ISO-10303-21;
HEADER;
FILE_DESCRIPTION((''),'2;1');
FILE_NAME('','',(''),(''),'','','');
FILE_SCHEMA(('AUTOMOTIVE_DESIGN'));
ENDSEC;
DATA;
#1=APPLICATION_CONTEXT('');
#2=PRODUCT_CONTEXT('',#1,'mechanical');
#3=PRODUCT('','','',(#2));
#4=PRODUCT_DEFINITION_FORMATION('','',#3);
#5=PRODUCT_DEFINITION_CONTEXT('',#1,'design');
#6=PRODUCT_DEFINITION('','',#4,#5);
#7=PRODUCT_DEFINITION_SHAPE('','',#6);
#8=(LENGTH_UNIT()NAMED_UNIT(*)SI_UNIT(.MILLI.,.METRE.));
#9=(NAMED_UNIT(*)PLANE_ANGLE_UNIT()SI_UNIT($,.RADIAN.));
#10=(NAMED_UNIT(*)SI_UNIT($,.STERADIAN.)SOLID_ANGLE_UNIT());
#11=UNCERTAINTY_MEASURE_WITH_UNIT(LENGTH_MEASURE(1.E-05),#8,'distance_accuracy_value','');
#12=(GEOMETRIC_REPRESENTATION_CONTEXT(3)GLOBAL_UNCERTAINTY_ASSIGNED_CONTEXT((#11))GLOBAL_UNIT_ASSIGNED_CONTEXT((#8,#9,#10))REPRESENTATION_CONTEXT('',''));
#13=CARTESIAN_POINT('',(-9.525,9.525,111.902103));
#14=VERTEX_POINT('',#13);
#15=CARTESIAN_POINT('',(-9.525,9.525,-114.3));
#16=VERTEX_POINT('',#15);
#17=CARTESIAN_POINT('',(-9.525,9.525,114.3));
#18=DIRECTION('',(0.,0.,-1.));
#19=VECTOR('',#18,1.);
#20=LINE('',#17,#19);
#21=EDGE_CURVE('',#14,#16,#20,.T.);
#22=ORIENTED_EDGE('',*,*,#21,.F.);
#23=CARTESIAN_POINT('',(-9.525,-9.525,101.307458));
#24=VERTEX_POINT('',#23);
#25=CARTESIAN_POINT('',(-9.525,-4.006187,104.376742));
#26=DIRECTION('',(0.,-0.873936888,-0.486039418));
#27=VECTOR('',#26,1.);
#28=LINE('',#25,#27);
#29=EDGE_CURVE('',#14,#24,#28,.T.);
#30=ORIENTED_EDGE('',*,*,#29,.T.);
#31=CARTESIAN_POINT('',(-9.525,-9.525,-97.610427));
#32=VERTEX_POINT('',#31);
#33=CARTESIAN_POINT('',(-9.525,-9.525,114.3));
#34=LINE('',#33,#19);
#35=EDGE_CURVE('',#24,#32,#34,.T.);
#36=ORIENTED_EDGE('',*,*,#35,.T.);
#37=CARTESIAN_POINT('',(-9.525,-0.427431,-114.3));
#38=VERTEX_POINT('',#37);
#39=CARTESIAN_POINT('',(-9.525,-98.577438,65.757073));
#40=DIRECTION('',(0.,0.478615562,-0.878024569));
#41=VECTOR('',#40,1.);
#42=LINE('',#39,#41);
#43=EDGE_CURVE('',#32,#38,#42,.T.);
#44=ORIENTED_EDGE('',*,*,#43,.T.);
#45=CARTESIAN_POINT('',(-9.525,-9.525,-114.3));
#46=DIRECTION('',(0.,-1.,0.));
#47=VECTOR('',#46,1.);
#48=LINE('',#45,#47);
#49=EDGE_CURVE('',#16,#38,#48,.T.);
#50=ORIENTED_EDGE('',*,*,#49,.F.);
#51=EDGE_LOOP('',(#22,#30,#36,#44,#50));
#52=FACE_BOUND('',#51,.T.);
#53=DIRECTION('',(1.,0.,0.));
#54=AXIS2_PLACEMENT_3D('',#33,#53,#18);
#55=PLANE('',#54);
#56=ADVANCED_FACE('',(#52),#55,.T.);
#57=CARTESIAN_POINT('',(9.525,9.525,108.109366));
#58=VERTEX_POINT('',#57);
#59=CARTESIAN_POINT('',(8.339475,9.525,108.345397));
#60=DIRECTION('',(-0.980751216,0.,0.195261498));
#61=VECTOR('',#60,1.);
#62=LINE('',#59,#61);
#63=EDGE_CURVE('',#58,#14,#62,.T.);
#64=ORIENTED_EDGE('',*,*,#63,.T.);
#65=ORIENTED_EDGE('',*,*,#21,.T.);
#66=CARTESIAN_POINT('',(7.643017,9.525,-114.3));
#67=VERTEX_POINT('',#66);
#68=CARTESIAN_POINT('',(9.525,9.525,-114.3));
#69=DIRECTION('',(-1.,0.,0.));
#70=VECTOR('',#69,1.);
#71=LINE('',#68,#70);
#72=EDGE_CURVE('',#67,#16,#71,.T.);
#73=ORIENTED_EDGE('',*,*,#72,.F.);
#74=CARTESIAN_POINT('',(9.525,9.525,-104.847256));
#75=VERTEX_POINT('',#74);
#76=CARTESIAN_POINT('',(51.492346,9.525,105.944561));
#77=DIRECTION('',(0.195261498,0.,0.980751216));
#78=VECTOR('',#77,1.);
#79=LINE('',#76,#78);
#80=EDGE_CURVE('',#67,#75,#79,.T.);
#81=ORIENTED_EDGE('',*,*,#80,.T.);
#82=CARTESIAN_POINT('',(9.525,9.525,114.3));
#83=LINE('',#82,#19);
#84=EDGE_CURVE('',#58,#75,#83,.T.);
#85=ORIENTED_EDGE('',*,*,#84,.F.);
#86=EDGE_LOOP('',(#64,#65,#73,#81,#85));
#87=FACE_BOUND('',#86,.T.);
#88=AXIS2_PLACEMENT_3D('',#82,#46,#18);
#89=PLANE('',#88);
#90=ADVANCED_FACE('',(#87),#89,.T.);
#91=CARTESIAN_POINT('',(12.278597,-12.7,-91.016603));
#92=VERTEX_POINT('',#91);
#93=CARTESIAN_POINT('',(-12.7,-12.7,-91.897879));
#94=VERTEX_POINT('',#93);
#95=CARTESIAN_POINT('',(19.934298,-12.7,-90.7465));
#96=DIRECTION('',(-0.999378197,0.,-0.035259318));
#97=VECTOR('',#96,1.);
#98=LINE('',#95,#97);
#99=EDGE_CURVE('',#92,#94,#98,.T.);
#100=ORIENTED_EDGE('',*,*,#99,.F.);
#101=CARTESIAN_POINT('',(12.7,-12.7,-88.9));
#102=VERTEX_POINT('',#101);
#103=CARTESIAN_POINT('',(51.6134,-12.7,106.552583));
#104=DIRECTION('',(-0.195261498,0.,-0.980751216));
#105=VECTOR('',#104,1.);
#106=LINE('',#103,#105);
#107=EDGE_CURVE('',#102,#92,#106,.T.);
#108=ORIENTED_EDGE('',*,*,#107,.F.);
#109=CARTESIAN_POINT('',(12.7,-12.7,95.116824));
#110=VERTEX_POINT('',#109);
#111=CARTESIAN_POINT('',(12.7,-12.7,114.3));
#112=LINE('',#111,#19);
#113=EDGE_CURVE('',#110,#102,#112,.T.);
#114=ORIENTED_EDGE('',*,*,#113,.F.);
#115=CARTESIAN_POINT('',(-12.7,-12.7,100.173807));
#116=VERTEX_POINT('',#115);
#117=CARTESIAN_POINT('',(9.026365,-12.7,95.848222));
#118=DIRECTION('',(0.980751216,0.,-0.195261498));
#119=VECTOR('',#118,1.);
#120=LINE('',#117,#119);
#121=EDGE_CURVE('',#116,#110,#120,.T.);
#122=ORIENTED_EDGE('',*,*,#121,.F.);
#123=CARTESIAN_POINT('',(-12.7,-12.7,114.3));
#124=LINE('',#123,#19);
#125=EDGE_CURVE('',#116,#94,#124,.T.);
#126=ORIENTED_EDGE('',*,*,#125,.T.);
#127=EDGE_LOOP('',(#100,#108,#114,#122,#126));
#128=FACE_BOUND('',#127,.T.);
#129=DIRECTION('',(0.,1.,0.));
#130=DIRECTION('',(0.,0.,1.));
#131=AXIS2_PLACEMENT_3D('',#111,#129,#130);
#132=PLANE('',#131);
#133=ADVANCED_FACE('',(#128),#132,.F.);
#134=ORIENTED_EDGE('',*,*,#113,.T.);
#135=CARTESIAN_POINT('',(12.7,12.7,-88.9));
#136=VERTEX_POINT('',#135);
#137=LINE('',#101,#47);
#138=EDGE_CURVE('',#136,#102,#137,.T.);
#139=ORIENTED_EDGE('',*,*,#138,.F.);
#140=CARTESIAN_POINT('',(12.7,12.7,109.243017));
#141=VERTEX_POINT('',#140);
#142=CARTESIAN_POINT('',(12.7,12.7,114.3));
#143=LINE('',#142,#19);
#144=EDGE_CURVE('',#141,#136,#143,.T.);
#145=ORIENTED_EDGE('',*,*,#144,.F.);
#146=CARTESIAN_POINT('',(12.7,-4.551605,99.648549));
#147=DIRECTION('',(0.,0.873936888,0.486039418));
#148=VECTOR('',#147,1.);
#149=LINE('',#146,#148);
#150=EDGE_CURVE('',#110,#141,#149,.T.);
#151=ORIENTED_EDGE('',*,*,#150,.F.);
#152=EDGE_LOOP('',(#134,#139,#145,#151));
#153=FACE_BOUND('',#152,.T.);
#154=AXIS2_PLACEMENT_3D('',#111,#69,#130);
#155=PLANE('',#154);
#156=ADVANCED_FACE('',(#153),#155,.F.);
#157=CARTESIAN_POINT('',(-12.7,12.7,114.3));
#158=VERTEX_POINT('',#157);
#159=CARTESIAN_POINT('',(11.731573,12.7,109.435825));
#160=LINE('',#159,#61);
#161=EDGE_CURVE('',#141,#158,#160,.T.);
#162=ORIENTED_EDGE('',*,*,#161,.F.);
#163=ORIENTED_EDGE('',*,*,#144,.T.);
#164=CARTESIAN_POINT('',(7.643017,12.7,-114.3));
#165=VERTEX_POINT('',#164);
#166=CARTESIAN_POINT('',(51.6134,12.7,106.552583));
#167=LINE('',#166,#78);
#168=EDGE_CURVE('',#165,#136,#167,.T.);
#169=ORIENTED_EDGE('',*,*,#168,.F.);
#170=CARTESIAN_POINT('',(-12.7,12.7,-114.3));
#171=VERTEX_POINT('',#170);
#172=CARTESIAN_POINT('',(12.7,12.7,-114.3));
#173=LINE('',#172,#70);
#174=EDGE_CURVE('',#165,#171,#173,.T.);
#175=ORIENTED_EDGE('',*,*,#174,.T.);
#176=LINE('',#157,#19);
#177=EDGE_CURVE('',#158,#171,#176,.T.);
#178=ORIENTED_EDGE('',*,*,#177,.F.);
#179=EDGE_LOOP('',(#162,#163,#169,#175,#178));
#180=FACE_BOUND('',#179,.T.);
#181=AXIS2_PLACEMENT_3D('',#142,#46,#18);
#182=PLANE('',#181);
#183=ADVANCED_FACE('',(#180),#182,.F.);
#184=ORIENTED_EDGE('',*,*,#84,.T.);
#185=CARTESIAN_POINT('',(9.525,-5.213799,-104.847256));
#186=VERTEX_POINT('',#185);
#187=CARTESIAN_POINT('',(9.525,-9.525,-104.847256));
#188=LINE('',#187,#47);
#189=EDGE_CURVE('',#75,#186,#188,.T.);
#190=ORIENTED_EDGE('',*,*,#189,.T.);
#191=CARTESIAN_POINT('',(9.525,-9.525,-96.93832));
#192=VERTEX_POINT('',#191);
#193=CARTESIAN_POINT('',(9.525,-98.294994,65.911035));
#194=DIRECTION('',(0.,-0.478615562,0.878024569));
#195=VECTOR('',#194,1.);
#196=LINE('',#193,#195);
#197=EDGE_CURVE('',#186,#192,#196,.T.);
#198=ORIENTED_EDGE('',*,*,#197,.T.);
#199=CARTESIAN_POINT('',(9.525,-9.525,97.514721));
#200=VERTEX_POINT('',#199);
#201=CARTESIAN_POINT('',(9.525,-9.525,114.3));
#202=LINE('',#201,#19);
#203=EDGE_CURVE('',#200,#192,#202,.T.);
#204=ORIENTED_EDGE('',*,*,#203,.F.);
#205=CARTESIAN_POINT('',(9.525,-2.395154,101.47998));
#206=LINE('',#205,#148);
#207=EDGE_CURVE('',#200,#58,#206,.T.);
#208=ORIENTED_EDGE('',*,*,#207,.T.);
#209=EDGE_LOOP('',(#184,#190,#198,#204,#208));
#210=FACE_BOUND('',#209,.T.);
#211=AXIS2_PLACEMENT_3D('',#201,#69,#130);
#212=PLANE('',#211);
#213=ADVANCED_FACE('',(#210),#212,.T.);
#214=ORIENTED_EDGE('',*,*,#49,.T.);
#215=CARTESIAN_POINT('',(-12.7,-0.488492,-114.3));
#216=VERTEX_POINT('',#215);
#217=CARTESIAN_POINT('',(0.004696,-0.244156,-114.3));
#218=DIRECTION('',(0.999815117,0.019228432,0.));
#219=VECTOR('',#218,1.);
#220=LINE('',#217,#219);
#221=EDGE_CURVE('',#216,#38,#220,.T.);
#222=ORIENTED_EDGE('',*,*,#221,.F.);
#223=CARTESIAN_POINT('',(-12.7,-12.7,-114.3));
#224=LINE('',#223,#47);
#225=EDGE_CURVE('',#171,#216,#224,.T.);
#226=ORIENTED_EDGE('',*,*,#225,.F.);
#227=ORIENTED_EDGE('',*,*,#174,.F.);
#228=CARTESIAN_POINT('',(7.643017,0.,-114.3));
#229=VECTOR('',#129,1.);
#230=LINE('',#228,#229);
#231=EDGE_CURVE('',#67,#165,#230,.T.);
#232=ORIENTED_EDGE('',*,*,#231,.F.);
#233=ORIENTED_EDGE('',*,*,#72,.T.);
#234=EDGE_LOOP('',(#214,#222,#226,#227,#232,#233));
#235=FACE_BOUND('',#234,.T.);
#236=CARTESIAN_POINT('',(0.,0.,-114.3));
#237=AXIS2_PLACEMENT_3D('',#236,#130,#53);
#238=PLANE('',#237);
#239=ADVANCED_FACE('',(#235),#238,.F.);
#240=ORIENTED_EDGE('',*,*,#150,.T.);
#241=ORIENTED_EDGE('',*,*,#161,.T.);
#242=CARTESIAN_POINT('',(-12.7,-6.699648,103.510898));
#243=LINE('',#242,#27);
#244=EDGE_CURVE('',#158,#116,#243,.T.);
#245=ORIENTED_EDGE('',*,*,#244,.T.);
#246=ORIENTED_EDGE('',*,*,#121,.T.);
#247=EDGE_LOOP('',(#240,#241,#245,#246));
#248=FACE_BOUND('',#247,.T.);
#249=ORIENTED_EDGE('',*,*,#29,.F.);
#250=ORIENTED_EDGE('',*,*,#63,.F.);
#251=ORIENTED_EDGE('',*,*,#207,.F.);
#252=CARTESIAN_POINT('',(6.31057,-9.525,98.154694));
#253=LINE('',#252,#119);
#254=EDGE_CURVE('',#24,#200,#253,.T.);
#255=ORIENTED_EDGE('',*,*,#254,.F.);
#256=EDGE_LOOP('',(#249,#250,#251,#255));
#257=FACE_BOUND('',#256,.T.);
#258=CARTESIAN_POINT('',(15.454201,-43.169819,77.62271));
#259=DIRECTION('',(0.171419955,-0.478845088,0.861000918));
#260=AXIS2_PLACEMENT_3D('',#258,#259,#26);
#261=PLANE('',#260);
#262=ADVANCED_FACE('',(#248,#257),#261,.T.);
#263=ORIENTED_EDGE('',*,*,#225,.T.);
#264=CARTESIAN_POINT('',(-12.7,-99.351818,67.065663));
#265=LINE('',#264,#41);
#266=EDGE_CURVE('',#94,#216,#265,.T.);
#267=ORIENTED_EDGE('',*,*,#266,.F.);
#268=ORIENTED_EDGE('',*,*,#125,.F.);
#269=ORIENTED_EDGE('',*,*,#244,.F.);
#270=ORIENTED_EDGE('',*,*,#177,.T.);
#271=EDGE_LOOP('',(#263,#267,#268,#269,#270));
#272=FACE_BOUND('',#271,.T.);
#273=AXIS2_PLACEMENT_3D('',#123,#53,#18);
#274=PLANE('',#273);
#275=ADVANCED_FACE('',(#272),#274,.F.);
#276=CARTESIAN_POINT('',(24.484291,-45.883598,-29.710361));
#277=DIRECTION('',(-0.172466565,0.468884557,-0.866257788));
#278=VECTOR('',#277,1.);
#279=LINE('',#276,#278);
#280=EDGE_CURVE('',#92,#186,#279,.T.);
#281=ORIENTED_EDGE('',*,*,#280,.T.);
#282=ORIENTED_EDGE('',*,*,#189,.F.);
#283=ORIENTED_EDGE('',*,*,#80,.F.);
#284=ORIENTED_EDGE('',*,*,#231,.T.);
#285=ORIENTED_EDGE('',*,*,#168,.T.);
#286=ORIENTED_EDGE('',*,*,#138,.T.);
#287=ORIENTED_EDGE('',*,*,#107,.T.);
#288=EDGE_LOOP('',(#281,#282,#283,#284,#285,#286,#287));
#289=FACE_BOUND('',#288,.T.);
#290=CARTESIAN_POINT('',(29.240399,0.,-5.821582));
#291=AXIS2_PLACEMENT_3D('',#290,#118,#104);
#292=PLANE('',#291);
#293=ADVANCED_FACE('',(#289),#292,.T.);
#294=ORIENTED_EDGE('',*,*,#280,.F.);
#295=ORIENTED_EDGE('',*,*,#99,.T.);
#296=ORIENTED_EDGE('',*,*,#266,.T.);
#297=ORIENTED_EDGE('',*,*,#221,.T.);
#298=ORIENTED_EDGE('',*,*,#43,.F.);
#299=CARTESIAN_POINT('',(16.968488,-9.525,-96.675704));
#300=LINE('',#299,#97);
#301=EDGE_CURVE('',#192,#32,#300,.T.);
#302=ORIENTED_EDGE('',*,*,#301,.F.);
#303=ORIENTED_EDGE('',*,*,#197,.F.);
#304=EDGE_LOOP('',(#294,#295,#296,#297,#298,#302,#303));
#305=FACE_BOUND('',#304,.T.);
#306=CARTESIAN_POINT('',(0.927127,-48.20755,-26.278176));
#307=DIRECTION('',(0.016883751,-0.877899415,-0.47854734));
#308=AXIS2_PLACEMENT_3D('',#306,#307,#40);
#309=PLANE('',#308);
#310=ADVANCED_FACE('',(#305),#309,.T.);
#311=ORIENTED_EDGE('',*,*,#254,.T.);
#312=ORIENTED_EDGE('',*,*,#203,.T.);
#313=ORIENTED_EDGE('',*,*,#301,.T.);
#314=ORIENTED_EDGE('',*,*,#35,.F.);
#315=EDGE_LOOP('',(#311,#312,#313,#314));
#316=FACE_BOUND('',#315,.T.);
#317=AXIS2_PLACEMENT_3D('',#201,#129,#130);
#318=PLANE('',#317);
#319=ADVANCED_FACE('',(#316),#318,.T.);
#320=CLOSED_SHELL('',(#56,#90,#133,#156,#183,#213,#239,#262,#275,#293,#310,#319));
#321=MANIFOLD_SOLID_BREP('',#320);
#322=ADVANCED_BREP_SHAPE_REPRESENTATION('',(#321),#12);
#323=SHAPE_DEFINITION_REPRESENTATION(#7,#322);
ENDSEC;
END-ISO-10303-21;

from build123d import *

# Parameters (mm, degrees)
BOSS_EXTRUDE1_DEPTH      = 114.3
BOSS_EXTRUDE1_DEPTH_BACK = 114.3
SKETCH3_W                = 25.4
SKETCH3_H                = 25.4
SKETCH3_W_2              = 19.05
SKETCH3_H_2              = 19.05


with BuildPart() as part:
    # Sketch3 → Boss-Extrude1 (new, two sides: drawn at the far end of the back side and taken through both)
    with BuildSketch(Plane.XY.offset(-BOSS_EXTRUDE1_DEPTH_BACK)):
        Rectangle(SKETCH3_W, SKETCH3_H)
        Rectangle(SKETCH3_W_2, SKETCH3_H_2, mode=Mode.SUBTRACT)
    extrude(amount=BOSS_EXTRUDE1_DEPTH + BOSS_EXTRUDE1_DEPTH_BACK)

    # SurfaceCut2
    split(bisect_by=Plane(origin=(15.454201301, -43.169818655, 77.622710273), x_dir=(0.9807512157806098, 0, -0.1952614983678451), z_dir=(0.17141995510435715, -0.47884508758591265, 0.8610009181684186)), keep=Keep.BOTTOM)

    # SurfaceCut4
    split(bisect_by=Plane(origin=(29.240398856, 0, -5.821582478), x_dir=(0, 1, 0), z_dir=(0.9807512157806096, 0, -0.19526149836784543)), keep=Keep.BOTTOM)

    # SurfaceCut6
    split(bisect_by=Plane(origin=(0.927127028, -48.207550317, -26.27817561), x_dir=(0.9998151166046026, 0.01922843230544169, 0), z_dir=(0.01688375098917382, -0.8778994145657232, -0.478547340247228)), keep=Keep.BOTTOM)


solid = part.part
